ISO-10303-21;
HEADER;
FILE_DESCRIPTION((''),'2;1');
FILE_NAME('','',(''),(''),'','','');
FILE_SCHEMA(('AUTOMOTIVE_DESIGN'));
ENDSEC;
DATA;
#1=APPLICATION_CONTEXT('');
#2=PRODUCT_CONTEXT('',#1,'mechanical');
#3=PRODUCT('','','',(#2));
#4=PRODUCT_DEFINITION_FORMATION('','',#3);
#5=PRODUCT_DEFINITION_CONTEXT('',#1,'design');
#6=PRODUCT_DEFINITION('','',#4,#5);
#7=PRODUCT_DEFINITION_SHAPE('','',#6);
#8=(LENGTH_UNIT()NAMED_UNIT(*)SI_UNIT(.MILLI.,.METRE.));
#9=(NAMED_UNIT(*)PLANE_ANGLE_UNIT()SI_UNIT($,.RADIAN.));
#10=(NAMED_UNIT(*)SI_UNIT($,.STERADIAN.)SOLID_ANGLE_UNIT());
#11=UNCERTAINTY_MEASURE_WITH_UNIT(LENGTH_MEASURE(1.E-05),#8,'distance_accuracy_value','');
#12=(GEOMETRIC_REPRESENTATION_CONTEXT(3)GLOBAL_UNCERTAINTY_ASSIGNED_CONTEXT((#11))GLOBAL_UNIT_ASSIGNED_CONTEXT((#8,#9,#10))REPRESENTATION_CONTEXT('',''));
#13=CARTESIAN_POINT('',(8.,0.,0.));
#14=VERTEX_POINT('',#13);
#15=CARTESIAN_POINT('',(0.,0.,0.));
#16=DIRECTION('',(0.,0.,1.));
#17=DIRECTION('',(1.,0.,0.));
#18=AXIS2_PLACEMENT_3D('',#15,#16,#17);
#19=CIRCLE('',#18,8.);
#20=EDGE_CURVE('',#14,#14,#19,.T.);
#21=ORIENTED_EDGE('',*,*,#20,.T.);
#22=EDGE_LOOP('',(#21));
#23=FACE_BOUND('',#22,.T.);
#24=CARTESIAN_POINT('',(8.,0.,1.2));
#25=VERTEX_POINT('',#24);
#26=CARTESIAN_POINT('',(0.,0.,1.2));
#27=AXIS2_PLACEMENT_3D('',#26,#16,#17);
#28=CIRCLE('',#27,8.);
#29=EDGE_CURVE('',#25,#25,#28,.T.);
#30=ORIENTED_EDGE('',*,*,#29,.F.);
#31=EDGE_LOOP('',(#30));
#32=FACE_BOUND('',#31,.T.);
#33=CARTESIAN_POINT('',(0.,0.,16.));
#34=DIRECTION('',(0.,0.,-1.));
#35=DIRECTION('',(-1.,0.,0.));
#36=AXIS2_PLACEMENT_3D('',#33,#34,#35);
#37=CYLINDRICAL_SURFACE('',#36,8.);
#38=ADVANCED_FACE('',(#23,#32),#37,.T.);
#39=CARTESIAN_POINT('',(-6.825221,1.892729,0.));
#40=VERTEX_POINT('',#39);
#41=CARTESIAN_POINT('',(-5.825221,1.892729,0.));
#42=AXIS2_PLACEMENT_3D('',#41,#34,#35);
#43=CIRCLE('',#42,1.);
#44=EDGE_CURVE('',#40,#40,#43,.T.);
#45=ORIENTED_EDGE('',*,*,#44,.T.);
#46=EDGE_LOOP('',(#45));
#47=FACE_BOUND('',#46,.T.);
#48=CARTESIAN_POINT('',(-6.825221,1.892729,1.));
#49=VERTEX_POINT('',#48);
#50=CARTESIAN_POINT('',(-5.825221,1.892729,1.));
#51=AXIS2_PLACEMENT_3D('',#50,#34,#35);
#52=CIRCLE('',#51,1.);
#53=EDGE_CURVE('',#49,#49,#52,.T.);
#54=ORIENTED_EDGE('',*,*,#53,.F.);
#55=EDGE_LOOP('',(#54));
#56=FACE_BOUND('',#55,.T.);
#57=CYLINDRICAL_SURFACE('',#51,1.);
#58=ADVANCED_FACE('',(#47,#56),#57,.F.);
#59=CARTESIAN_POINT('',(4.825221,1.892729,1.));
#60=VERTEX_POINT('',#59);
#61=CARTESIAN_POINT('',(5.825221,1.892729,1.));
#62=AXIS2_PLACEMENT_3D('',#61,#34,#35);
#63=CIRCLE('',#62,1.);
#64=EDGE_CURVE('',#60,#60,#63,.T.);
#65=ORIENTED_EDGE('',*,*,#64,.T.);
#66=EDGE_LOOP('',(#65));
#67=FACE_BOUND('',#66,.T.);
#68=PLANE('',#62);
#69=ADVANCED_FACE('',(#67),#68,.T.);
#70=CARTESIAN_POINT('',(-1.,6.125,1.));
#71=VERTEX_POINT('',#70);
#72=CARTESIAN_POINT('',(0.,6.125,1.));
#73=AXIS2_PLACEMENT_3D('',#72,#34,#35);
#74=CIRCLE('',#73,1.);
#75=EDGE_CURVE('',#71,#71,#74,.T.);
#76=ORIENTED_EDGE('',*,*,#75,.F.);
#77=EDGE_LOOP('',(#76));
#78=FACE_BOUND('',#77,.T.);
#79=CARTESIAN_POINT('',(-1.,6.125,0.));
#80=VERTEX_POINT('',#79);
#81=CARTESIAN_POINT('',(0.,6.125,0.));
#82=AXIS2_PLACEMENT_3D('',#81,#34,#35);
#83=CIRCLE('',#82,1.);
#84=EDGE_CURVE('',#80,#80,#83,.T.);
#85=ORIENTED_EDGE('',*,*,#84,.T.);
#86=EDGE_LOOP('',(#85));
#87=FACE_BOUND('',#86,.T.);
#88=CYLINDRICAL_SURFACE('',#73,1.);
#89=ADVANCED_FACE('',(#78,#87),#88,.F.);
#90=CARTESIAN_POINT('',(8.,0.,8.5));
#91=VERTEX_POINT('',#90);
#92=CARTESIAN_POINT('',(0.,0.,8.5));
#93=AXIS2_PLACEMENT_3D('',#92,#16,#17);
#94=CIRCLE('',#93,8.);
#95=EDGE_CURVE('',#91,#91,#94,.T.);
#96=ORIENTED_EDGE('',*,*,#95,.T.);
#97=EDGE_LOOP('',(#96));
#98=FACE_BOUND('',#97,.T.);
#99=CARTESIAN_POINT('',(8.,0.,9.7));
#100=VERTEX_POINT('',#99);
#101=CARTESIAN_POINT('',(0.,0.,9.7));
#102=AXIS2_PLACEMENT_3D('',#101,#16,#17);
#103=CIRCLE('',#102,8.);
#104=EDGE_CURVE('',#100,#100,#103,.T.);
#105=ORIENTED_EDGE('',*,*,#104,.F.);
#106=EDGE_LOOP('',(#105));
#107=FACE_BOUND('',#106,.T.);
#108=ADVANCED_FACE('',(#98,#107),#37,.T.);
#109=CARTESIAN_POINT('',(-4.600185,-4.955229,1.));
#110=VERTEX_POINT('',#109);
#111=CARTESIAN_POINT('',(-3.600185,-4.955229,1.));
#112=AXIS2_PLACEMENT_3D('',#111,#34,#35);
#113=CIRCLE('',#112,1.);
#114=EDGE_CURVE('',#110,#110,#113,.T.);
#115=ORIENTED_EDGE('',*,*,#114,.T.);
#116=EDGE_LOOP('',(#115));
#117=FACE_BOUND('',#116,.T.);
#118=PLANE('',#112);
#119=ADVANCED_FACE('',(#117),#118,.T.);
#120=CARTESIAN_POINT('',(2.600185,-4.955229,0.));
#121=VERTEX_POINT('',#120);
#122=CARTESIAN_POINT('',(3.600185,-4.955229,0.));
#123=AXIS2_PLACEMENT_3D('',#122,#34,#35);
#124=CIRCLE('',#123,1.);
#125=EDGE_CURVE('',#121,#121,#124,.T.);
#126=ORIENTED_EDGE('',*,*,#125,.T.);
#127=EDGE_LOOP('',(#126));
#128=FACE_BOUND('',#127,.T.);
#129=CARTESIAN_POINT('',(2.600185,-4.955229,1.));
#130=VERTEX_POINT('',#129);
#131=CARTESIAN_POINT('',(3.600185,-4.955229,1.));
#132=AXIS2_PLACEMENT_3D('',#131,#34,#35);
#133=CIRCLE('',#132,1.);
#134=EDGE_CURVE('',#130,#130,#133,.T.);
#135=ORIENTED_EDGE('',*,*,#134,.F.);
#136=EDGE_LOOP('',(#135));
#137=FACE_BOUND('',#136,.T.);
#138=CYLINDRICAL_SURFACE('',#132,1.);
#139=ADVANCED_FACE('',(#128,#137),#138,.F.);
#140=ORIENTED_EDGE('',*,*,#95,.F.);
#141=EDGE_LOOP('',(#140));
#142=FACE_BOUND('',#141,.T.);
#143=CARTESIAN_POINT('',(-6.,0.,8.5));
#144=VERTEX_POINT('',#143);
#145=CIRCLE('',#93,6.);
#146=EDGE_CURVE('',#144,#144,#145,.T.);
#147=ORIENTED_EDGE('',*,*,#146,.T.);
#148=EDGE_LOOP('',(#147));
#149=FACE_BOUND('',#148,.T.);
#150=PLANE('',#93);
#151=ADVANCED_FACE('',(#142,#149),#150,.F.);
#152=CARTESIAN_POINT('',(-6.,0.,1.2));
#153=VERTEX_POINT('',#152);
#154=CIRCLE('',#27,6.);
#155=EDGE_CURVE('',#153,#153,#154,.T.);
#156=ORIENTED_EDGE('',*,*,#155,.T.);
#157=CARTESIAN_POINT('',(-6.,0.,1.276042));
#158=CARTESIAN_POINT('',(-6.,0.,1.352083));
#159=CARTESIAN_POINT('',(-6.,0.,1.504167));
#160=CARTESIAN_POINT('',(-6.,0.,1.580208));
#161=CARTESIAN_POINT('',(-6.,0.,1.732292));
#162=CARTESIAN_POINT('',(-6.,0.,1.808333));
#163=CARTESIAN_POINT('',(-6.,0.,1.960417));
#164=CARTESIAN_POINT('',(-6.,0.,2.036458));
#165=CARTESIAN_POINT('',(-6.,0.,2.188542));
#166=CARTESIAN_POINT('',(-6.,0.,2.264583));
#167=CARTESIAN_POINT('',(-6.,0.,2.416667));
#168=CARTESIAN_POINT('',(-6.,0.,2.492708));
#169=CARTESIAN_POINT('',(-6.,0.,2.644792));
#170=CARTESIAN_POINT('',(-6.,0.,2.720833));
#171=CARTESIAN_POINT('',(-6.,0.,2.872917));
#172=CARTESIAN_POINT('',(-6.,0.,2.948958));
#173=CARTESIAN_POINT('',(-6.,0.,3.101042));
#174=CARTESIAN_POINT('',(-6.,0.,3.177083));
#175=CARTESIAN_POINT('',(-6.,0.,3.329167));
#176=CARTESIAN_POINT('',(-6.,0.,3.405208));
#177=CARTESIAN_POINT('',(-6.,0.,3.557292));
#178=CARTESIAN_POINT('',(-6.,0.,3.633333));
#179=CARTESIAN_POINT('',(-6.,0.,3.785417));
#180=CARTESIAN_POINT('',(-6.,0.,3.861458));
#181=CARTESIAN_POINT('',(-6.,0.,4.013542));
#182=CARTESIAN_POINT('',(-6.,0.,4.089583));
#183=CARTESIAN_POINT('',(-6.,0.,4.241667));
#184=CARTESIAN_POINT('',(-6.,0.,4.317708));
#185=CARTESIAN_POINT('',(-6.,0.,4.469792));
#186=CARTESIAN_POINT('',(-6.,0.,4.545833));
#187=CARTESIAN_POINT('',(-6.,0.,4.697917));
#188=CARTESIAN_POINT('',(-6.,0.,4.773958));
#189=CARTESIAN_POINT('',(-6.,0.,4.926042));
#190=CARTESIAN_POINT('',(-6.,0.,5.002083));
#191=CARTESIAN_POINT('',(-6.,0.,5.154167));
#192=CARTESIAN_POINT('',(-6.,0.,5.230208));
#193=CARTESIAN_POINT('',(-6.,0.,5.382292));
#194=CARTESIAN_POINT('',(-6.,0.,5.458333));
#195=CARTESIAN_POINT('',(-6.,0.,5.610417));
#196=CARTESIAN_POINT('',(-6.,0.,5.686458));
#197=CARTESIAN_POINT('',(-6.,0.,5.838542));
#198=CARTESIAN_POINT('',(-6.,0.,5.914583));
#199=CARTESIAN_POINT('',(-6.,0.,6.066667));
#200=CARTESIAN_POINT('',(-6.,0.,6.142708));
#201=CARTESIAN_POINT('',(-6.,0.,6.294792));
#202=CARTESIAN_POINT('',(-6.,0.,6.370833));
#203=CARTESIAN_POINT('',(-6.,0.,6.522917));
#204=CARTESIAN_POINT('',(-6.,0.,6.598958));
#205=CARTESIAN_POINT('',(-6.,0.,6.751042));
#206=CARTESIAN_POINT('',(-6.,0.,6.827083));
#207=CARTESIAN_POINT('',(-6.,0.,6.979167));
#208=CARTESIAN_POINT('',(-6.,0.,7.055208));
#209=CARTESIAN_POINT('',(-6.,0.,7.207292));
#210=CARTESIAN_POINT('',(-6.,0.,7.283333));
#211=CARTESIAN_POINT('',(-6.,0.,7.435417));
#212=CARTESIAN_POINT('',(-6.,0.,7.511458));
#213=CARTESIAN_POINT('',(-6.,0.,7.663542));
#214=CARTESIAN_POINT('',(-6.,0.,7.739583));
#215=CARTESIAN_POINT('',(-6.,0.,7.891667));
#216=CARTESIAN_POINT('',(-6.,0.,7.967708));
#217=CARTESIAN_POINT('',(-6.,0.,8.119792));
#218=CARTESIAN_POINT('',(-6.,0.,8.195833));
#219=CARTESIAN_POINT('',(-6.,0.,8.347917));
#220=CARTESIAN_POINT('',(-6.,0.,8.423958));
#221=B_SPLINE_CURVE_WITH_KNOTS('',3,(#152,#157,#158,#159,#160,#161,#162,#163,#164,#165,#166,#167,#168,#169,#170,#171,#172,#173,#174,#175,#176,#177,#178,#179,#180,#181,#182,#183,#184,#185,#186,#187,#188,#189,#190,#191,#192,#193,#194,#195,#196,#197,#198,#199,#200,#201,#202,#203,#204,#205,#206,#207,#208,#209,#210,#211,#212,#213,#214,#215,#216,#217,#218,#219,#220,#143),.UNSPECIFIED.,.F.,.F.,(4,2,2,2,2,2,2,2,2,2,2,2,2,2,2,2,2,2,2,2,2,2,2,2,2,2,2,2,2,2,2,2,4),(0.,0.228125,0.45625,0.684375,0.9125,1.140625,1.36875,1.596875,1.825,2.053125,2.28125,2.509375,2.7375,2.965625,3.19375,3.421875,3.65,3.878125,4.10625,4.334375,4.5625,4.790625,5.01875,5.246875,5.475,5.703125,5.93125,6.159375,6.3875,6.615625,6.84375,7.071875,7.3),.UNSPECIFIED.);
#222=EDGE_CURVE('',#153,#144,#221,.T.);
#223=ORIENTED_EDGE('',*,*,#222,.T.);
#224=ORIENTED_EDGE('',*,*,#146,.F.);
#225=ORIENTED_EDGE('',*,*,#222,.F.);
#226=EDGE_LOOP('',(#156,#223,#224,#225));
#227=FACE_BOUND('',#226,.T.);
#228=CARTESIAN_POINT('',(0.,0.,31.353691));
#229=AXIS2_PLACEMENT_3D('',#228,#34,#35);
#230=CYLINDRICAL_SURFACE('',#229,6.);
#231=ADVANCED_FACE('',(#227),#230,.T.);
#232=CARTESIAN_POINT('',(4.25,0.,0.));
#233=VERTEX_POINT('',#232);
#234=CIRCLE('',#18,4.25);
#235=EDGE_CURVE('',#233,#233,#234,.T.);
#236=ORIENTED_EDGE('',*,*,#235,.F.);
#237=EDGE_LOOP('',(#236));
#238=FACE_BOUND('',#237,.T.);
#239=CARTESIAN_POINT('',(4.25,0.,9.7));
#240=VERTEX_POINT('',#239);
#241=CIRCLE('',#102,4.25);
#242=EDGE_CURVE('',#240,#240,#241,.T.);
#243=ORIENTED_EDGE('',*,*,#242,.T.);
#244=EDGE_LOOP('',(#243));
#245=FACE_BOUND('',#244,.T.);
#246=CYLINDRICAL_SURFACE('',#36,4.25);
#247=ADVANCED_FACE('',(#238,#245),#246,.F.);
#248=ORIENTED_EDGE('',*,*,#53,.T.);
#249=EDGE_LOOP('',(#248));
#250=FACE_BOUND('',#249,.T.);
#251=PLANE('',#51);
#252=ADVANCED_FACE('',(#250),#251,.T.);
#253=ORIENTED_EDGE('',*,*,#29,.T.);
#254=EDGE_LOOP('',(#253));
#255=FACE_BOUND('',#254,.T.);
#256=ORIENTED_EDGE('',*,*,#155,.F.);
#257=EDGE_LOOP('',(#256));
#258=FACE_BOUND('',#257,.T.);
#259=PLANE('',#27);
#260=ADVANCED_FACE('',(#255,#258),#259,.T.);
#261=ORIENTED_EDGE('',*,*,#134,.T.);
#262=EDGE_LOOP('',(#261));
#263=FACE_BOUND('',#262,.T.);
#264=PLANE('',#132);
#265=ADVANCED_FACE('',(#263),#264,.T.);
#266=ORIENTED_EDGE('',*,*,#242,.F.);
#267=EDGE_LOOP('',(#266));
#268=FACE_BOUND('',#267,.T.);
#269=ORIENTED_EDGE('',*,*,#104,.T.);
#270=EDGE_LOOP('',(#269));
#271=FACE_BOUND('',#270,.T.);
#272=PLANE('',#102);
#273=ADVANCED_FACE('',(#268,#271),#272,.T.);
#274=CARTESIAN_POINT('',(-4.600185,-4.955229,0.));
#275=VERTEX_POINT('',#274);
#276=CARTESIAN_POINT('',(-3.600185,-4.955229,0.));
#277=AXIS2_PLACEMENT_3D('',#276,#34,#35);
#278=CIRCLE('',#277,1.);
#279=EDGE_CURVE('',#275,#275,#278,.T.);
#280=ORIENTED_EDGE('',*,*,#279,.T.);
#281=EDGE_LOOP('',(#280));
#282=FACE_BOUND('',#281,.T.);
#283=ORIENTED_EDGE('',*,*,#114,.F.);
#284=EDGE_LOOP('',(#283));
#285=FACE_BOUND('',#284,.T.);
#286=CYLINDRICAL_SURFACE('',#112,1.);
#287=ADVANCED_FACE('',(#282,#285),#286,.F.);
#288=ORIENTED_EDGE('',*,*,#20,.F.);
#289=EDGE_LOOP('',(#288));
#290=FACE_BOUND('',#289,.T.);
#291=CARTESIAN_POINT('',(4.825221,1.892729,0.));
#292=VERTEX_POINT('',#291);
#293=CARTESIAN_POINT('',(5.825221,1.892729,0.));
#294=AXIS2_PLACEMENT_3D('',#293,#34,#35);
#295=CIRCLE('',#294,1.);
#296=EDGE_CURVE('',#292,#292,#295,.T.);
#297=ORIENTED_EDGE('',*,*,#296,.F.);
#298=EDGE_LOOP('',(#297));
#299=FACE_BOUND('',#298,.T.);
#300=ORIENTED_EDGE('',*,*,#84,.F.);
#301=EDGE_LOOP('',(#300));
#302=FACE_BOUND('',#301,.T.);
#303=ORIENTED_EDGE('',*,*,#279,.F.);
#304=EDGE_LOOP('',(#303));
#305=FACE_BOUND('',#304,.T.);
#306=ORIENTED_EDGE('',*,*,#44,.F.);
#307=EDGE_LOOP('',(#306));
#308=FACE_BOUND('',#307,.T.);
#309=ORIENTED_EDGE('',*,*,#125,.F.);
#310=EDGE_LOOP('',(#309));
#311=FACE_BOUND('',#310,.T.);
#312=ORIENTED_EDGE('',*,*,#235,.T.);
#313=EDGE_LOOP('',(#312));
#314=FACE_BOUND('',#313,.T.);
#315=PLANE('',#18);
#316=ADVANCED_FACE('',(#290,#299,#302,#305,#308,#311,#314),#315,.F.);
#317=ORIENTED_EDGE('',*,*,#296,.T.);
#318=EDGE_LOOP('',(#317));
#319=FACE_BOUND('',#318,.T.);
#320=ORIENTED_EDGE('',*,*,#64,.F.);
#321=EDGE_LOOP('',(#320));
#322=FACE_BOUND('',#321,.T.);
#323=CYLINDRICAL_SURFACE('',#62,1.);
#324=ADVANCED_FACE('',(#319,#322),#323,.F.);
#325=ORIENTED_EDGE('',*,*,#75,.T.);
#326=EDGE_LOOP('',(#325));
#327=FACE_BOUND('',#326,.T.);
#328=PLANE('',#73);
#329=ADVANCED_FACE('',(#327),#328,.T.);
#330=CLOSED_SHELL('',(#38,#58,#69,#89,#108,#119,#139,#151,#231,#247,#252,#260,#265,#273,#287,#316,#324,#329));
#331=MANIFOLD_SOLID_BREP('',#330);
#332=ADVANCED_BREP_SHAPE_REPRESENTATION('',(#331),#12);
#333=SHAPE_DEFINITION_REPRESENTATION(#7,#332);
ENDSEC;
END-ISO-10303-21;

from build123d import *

# Parameters (mm, degrees)
SKETCH2_R               = 8
SKETCH2_R_2             = 4.25
BOSS_EXTRUDE1_DEPTH     = 16
SKETCH3_OUTSIDE_W       = 23.542
SKETCH3_OUTSIDE_H       = 23.542
SKETCH3_OUTSIDE_R       = 6
CUT_EXTRUDE1_DEPTH      = 7.3
CUT_EXTRUDE2_REACH      = 26
CUT_EXTRUDE2_END_RADIUS = 4.25
SKETCH6_R               = 1.75
CUT_EXTRUDE3_REACH      = 26
CUT_EXTRUDE3_END_RADIUS = 4.25
SKETCH5_R               = 1.75
CUT_EXTRUDE4_START      = -5.75
SKETCH7_R               = 8
CUT_EXTRUDE4_DEPTH      = 5.75
CUT_EXTRUDE5_START      = -0.55
SKETCH9_R               = 8
CUT_EXTRUDE5_DEPTH      = 0.55
SKETCH10_R              = 1
CUT_EXTRUDE6_DEPTH      = 1


with BuildPart() as part:
    # Sketch2 → Boss-Extrude1 (new body)
    with BuildSketch(Plane.XY):
        Circle(SKETCH2_R)
        Circle(SKETCH2_R_2, mode=Mode.SUBTRACT)
    extrude(amount=BOSS_EXTRUDE1_DEPTH)

    # Sketch3 outside → Cut-Extrude1 (cut)
    with BuildSketch(Plane.XY.offset(1.2)):
        Rectangle(SKETCH3_OUTSIDE_W, SKETCH3_OUTSIDE_H)
        with Locations(Location((0, 0, 0), (0, 0, 180))):
            Circle(SKETCH3_OUTSIDE_R, mode=Mode.SUBTRACT)
    extrude(amount=CUT_EXTRUDE1_DEPTH, mode=Mode.SUBTRACT)

    # Cut-Extrude2: up to this cylinder (the profile starts outside it)
    cut_extrude2_end = Plane(origin=(0, 0, 12.25), z_dir=(0, 0, -1)) * Cylinder(CUT_EXTRUDE2_END_RADIUS, 61.5, mode=Mode.PRIVATE)
    # Sketch6 → Cut-Extrude2 (cut, up to the surface)
    with BuildSketch(Plane(origin=(8, 0, 0), x_dir=(0, 0, -1), z_dir=(1, 0, 0)), mode=Mode.PRIVATE) as cut_extrude2_sk1:
        with Locations((-12.25, 0)):
            Circle(SKETCH6_R)
    cut_extrude2_tool1 = extrude(cut_extrude2_sk1.sketch, amount=-CUT_EXTRUDE2_REACH, mode=Mode.PRIVATE) - cut_extrude2_end
    add(cut_extrude2_tool1.solids().sort_by_distance((8, 0, 12.25))[0], mode=Mode.SUBTRACT)

    # Cut-Extrude3: up to this cylinder (the profile starts outside it)
    cut_extrude3_end = Plane(origin=(0, 0, 12.25), z_dir=(0, 0, -1)) * Cylinder(CUT_EXTRUDE3_END_RADIUS, 61.5, mode=Mode.PRIVATE)
    # Sketch5 → Cut-Extrude3 (cut, up to the surface)
    with BuildSketch(Plane(origin=(0, 8, 0), x_dir=(1, 0, 0), z_dir=(0, 1, 0)), mode=Mode.PRIVATE) as cut_extrude3_sk1:
        with Locations(Location((0, -12.25, 0), (0, 0, 270))):
            Circle(SKETCH5_R)
    cut_extrude3_tool1 = extrude(cut_extrude3_sk1.sketch, amount=-CUT_EXTRUDE3_REACH, mode=Mode.PRIVATE) - cut_extrude3_end
    add(cut_extrude3_tool1.solids().sort_by_distance((0, 8, 12.25))[0], mode=Mode.SUBTRACT)

    # Sketch7 → Cut-Extrude4 (cut)
    with BuildSketch(Plane.XY.offset(16).offset(CUT_EXTRUDE4_START)):
        Circle(SKETCH7_R)
    extrude(amount=CUT_EXTRUDE4_DEPTH, mode=Mode.SUBTRACT)

    # Sketch9 → Cut-Extrude5 (cut)
    with BuildSketch(Plane.XY.offset(10.25).offset(CUT_EXTRUDE5_START)):
        Circle(SKETCH9_R)
    extrude(amount=CUT_EXTRUDE5_DEPTH, mode=Mode.SUBTRACT)

    # Sketch10 → Cut-Extrude6 (cut)
    with BuildSketch(Plane(origin=(0, 0, 0), x_dir=(-1, 0, 0), z_dir=(0, 0, -1))):
        with Locations((0, 6.125)):
            Circle(SKETCH10_R)
        with Locations((5.825221162, 1.892729091)):
            Circle(SKETCH10_R)
        with Locations((3.60018467, -4.955229091)):
            Circle(SKETCH10_R)
        with Locations((-3.60018467, -4.955229091)):
            Circle(SKETCH10_R)
        with Locations((-5.825221162, 1.892729091)):
            Circle(SKETCH10_R)
    extrude(amount=-CUT_EXTRUDE6_DEPTH, mode=Mode.SUBTRACT)


solid = part.part
